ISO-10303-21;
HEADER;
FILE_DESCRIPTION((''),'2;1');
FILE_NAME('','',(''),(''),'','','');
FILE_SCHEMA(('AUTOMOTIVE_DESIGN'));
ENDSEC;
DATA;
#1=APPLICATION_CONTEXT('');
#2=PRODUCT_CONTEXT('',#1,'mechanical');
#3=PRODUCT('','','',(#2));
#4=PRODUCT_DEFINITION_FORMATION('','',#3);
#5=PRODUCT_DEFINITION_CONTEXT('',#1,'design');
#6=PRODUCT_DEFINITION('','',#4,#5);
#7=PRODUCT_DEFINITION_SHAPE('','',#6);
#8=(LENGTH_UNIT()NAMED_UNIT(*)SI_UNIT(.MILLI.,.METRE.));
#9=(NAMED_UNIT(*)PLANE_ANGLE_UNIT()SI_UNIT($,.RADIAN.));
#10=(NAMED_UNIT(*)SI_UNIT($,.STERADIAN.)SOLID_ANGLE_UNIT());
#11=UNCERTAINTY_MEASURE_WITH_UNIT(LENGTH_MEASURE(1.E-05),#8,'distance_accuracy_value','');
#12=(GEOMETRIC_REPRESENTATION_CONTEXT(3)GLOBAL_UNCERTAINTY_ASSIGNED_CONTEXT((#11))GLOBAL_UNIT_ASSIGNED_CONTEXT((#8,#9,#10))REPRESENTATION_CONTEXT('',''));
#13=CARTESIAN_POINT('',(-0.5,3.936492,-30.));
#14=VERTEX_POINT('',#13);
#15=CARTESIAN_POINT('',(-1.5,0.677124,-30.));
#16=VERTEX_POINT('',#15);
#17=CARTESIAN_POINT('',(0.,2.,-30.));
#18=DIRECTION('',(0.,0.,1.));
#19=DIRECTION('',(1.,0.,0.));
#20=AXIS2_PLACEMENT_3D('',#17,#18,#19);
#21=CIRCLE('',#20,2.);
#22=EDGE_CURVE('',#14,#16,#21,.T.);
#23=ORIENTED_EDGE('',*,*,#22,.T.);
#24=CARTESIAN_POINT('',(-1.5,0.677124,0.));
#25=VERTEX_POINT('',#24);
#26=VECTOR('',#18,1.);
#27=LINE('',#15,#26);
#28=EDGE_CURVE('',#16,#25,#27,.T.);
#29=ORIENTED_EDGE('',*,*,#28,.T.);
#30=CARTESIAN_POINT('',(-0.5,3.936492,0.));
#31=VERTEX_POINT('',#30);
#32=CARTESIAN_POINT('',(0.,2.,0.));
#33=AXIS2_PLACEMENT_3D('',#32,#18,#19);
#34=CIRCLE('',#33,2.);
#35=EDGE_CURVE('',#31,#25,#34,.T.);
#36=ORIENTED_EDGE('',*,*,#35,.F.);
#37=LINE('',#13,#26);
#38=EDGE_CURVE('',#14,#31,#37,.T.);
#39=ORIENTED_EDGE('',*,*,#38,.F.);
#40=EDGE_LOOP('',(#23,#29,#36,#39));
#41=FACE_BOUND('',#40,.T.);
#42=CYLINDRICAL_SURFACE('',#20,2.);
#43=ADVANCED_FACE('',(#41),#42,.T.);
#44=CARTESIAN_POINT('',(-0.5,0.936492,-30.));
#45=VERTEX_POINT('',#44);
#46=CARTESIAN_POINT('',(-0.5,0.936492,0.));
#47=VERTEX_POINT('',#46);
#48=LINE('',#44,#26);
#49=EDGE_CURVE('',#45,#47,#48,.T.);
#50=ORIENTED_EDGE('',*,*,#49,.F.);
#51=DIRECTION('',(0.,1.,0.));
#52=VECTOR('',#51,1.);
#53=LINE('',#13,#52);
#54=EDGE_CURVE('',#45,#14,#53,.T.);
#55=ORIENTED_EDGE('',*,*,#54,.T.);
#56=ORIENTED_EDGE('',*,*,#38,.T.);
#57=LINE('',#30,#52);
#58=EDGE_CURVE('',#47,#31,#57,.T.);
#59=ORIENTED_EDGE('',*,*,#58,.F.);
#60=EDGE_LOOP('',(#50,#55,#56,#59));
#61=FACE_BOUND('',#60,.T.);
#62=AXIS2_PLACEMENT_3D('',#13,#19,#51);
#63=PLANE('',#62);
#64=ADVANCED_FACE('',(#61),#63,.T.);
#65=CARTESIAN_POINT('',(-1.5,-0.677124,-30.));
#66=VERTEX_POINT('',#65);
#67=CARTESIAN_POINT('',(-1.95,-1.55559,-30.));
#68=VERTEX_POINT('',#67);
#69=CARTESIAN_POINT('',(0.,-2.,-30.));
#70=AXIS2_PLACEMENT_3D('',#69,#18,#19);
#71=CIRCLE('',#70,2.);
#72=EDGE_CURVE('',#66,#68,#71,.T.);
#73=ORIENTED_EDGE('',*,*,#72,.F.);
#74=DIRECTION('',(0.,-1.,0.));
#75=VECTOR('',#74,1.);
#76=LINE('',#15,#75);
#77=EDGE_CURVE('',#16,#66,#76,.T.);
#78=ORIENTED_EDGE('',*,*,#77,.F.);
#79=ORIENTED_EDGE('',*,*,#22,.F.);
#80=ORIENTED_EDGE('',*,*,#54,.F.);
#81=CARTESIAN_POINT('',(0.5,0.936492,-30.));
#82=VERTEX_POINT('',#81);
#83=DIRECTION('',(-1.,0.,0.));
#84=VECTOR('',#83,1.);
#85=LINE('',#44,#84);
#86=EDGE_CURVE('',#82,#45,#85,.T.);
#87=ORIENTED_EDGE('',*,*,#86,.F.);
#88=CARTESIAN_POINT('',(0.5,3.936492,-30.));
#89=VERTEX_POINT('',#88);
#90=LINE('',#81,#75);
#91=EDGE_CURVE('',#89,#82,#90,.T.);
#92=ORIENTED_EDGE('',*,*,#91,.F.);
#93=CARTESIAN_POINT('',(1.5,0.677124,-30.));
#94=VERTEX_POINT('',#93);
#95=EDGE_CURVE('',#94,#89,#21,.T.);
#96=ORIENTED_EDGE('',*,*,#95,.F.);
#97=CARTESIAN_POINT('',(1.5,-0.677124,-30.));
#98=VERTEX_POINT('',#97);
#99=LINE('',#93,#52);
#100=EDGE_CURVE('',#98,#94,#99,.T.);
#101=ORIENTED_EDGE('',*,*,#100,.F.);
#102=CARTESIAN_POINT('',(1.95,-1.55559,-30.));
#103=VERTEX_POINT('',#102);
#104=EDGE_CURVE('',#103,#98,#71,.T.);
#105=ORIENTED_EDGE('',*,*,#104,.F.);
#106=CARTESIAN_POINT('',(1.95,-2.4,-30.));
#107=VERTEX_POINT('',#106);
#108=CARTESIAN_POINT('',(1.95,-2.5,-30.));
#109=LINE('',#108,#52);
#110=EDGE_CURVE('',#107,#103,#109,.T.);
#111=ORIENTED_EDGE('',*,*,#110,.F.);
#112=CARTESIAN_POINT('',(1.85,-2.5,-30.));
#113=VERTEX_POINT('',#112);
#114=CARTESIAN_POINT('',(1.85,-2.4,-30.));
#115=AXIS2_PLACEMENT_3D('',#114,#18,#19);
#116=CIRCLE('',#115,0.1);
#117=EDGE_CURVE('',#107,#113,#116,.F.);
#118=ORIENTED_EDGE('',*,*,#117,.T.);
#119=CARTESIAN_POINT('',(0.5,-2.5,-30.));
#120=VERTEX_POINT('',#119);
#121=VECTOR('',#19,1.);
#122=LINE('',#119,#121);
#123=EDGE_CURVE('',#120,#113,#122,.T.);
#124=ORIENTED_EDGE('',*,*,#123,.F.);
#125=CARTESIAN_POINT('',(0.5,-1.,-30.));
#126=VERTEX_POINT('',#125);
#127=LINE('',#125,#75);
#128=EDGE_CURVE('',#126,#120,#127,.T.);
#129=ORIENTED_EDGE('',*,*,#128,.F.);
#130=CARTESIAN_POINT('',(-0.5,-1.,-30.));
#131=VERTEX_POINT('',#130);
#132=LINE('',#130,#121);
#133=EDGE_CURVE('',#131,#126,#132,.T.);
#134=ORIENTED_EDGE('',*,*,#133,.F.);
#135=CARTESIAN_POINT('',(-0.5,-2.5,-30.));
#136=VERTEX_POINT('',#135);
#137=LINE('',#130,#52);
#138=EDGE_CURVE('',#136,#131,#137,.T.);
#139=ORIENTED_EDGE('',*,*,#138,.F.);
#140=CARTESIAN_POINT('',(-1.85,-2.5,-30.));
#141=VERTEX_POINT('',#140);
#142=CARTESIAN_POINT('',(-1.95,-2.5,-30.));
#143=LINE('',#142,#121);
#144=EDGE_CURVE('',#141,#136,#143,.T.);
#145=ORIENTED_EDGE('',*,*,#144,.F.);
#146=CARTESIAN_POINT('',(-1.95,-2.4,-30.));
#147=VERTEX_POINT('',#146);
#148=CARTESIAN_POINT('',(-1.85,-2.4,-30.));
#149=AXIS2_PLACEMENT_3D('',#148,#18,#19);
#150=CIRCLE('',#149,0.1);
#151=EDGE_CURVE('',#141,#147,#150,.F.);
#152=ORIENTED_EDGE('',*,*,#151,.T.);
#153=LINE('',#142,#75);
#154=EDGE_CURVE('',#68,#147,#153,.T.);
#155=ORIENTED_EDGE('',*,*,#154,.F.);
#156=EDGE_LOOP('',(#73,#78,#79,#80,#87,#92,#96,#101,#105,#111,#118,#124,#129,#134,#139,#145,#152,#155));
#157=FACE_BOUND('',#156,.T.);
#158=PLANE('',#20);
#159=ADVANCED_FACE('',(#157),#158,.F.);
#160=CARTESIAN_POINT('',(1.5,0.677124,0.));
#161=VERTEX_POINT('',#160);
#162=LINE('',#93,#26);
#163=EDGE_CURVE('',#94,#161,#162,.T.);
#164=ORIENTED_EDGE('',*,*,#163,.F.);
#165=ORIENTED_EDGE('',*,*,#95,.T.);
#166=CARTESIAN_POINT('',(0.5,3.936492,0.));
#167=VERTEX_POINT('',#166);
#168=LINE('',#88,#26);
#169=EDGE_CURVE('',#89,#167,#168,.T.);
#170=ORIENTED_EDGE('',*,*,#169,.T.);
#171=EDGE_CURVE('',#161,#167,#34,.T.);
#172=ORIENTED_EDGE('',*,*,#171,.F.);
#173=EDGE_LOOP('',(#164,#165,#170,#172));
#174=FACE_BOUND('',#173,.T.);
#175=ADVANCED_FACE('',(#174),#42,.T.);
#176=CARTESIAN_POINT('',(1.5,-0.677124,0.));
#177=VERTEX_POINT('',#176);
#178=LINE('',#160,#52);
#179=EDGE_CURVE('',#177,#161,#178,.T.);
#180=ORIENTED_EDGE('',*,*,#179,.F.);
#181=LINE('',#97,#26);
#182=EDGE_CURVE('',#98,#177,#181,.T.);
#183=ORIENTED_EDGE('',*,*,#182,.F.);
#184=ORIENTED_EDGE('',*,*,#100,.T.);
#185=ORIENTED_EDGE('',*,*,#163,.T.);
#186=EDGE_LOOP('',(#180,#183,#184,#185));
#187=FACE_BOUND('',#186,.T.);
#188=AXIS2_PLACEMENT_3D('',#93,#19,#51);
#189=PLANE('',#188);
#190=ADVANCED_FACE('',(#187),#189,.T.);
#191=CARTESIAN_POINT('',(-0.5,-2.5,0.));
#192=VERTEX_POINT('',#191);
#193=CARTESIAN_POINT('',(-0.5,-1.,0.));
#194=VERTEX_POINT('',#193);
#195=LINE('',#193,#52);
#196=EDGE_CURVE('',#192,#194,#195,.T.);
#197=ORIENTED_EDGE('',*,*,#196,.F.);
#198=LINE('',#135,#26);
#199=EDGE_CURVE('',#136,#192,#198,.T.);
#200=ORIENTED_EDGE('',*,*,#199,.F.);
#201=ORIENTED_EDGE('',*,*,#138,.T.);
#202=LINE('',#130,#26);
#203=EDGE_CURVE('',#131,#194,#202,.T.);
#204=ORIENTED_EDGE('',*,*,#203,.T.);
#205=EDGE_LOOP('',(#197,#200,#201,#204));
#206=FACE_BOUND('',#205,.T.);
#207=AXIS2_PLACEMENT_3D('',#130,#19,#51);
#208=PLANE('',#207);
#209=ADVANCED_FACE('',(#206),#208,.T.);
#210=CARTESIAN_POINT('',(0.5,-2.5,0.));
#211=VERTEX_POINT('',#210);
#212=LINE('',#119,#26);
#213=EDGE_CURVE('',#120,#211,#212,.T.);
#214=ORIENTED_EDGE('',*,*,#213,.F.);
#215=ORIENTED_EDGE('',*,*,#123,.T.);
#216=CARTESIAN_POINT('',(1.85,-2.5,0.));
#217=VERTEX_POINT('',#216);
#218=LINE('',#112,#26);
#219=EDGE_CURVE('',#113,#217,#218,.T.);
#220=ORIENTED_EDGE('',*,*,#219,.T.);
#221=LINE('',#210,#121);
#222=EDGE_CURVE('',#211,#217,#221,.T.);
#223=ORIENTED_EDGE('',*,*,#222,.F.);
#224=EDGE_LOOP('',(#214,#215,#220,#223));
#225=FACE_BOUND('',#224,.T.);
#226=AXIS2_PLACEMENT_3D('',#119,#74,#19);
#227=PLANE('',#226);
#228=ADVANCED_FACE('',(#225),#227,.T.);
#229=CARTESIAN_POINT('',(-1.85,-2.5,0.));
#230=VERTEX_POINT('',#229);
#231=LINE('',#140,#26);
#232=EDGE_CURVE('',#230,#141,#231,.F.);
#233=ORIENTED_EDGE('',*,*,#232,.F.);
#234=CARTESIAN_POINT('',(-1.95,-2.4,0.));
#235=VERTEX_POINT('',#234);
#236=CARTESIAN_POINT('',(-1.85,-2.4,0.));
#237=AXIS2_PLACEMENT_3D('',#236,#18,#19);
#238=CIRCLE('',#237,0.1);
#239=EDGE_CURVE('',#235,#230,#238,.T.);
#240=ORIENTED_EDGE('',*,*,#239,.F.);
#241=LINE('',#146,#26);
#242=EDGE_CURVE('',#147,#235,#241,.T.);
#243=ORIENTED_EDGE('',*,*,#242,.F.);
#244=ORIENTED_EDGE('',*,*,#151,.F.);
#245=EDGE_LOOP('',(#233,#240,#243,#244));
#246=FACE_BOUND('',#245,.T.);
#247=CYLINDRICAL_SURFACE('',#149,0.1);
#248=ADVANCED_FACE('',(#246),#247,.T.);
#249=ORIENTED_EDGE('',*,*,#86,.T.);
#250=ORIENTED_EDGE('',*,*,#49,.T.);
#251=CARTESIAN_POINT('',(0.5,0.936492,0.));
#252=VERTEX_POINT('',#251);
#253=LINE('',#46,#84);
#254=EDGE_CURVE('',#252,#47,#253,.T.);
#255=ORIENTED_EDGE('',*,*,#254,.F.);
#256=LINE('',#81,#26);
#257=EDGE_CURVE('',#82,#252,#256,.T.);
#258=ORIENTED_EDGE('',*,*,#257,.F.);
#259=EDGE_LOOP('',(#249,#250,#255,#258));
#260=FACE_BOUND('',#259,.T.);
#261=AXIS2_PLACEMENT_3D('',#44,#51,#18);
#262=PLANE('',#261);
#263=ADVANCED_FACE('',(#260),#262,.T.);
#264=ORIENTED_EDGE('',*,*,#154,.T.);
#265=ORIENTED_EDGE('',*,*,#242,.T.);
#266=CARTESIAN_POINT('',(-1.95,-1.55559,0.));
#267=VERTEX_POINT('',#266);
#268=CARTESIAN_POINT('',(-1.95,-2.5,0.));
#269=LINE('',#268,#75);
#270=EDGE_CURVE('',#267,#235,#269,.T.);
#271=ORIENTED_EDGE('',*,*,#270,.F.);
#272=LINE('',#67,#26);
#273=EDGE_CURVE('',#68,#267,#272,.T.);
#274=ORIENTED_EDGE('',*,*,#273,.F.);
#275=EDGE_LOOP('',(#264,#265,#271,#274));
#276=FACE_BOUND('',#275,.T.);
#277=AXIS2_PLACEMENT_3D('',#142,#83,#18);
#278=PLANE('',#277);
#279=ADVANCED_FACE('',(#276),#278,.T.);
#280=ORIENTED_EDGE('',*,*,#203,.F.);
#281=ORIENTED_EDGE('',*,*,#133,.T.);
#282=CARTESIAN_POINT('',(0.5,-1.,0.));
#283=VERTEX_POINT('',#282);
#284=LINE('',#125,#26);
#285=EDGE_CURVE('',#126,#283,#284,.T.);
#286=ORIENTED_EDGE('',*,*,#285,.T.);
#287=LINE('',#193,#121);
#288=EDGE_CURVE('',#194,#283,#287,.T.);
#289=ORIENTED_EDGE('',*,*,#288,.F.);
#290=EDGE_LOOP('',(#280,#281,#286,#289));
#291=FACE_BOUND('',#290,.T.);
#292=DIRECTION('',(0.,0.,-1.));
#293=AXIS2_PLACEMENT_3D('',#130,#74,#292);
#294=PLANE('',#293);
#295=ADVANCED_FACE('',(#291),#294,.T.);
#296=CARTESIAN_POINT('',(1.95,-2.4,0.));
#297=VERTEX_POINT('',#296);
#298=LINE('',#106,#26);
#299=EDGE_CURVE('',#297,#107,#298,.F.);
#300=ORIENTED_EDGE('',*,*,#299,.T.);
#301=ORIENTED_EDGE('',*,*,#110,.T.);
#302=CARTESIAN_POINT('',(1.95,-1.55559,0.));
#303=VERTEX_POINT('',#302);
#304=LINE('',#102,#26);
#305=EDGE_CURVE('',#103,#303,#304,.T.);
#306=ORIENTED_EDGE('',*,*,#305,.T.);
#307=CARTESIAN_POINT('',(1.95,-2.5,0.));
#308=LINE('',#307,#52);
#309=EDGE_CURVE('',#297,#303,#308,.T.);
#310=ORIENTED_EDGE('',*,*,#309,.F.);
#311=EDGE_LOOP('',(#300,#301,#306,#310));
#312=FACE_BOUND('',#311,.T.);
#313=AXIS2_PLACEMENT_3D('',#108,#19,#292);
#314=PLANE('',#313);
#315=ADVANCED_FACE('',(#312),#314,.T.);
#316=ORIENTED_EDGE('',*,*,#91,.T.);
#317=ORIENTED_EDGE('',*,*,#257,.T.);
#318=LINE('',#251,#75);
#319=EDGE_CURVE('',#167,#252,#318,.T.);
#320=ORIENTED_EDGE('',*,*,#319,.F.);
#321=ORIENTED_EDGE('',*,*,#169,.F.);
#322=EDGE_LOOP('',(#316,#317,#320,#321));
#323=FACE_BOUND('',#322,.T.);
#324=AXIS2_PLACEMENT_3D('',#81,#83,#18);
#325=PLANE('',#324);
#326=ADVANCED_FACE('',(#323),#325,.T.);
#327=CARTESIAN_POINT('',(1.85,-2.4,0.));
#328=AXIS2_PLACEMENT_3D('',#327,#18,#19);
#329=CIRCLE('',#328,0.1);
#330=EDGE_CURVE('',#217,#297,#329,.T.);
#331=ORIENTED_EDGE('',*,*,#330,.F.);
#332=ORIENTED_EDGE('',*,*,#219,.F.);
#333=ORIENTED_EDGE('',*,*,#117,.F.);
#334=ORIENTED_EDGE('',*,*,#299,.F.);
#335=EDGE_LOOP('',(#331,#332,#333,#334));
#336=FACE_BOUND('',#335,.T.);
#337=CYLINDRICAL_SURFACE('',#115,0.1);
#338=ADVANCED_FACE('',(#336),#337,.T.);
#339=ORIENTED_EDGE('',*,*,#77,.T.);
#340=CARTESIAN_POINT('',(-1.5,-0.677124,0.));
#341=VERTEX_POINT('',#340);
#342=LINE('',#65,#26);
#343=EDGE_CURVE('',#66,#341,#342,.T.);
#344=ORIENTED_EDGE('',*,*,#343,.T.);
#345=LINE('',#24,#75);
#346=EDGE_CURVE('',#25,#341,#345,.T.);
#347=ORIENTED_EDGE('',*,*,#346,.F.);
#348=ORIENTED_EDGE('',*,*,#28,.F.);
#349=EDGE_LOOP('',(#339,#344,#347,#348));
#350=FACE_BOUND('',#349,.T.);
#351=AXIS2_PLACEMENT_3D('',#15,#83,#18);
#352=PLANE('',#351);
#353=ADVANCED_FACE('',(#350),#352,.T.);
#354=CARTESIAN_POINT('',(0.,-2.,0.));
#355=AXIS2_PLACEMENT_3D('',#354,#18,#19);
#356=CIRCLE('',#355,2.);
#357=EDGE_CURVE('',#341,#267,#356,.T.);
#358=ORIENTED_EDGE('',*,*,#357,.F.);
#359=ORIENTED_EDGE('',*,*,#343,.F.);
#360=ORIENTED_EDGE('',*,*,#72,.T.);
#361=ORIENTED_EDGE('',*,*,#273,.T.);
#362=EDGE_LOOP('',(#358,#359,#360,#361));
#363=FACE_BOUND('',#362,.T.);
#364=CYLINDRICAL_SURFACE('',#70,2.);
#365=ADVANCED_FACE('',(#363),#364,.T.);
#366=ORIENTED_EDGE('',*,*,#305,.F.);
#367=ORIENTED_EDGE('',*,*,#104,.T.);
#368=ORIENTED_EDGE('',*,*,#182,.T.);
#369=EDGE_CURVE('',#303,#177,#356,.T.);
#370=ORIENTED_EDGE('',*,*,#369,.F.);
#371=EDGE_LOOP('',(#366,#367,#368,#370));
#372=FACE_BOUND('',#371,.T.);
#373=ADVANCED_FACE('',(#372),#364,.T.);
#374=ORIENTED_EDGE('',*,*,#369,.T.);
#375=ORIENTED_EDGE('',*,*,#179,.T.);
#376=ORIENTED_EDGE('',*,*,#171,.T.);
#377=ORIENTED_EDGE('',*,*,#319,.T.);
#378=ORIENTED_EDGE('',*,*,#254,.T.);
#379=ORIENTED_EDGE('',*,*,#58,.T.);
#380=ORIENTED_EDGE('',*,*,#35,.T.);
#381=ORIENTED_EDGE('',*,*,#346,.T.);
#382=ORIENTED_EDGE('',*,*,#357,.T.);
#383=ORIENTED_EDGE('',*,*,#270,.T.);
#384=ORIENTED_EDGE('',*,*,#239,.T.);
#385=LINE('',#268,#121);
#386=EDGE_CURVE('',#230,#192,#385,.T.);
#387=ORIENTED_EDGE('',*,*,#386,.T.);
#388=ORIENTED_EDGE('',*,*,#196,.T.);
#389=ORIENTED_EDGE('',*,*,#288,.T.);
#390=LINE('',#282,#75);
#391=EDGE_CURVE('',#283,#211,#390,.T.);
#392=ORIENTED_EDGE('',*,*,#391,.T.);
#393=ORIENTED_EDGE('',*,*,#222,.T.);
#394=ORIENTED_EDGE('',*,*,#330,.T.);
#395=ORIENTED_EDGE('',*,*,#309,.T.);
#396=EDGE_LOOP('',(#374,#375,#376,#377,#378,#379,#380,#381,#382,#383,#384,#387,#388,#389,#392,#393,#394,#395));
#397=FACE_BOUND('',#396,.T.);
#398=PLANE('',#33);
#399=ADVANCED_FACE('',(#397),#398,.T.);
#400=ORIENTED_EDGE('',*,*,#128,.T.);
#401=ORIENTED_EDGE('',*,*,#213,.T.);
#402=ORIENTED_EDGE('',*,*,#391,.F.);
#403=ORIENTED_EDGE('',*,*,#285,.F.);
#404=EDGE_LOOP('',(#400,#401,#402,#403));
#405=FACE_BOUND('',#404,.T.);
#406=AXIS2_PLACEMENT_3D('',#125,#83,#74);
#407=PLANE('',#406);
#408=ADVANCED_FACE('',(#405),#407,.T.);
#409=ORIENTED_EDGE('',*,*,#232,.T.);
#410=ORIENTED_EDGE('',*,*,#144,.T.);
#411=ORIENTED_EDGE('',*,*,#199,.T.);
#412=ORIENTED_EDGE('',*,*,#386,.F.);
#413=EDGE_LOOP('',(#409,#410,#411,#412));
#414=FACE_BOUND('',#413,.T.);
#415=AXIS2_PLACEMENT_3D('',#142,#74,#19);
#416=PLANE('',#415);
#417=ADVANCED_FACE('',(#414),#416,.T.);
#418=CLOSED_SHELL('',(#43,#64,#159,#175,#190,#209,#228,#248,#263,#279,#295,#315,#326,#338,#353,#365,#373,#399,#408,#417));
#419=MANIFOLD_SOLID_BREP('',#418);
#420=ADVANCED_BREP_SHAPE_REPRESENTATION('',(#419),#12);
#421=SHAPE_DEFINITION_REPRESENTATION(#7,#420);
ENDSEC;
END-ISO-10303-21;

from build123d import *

# Parameters (mm, degrees)
EXTRUDE_1_DEPTH = 30
FILLET_1_R      = 0.1


with BuildPart() as part:
    # 草图1 → 凸台-拉伸1 (new body)
    with BuildSketch(Plane.XY):
        with BuildLine():
            Line((-1.95, -2.5), (-0.5, -2.5))
            Line((-0.5, -2.5), (-0.5, -1))
            Line((-0.5, -1), (0.5, -1))
            Line((0.5, -1), (0.5, -2.5))
            Line((0.5, -2.5), (1.95, -2.5))
            Line((1.95, -2.5), (1.95, -1.555590279))
            ThreePointArc((1.95, -1.555590279), (1.780042303, -1.088161527), (1.5, -0.677124344))
            Line((1.5, -0.677124344), (1.5, 0.677124344))
            ThreePointArc((1.5, 0.677124344), (1.912032648, 2.586626929), (0.5, 3.936491673))
            Line((0.5, 3.936491673), (0.5, 0.936491673))
            Line((0.5, 0.936491673), (-0.5, 0.936491673))
            Line((-0.5, 0.936491673), (-0.5, 3.936491673))
            ThreePointArc((-0.5, 3.936491673), (-1.912032648, 2.586626929), (-1.5, 0.677124344))
            Line((-1.5, 0.677124344), (-1.5, -0.677124344))
            ThreePointArc((-1.5, -0.677124344), (-1.780042303, -1.088161527), (-1.95, -1.555590279))
            Line((-1.95, -1.555590279), (-1.95, -2.5))
        make_face()
    extrude(amount=-EXTRUDE_1_DEPTH)

    # 圆角1
    fillet_1_edges = [part.edges().sort_by_distance(p)[0] for p in [
        (1.95, -2.5, -15),
        (-1.95, -2.5, -15),
    ]]
    fillet(fillet_1_edges, radius=FILLET_1_R)


solid = part.part
